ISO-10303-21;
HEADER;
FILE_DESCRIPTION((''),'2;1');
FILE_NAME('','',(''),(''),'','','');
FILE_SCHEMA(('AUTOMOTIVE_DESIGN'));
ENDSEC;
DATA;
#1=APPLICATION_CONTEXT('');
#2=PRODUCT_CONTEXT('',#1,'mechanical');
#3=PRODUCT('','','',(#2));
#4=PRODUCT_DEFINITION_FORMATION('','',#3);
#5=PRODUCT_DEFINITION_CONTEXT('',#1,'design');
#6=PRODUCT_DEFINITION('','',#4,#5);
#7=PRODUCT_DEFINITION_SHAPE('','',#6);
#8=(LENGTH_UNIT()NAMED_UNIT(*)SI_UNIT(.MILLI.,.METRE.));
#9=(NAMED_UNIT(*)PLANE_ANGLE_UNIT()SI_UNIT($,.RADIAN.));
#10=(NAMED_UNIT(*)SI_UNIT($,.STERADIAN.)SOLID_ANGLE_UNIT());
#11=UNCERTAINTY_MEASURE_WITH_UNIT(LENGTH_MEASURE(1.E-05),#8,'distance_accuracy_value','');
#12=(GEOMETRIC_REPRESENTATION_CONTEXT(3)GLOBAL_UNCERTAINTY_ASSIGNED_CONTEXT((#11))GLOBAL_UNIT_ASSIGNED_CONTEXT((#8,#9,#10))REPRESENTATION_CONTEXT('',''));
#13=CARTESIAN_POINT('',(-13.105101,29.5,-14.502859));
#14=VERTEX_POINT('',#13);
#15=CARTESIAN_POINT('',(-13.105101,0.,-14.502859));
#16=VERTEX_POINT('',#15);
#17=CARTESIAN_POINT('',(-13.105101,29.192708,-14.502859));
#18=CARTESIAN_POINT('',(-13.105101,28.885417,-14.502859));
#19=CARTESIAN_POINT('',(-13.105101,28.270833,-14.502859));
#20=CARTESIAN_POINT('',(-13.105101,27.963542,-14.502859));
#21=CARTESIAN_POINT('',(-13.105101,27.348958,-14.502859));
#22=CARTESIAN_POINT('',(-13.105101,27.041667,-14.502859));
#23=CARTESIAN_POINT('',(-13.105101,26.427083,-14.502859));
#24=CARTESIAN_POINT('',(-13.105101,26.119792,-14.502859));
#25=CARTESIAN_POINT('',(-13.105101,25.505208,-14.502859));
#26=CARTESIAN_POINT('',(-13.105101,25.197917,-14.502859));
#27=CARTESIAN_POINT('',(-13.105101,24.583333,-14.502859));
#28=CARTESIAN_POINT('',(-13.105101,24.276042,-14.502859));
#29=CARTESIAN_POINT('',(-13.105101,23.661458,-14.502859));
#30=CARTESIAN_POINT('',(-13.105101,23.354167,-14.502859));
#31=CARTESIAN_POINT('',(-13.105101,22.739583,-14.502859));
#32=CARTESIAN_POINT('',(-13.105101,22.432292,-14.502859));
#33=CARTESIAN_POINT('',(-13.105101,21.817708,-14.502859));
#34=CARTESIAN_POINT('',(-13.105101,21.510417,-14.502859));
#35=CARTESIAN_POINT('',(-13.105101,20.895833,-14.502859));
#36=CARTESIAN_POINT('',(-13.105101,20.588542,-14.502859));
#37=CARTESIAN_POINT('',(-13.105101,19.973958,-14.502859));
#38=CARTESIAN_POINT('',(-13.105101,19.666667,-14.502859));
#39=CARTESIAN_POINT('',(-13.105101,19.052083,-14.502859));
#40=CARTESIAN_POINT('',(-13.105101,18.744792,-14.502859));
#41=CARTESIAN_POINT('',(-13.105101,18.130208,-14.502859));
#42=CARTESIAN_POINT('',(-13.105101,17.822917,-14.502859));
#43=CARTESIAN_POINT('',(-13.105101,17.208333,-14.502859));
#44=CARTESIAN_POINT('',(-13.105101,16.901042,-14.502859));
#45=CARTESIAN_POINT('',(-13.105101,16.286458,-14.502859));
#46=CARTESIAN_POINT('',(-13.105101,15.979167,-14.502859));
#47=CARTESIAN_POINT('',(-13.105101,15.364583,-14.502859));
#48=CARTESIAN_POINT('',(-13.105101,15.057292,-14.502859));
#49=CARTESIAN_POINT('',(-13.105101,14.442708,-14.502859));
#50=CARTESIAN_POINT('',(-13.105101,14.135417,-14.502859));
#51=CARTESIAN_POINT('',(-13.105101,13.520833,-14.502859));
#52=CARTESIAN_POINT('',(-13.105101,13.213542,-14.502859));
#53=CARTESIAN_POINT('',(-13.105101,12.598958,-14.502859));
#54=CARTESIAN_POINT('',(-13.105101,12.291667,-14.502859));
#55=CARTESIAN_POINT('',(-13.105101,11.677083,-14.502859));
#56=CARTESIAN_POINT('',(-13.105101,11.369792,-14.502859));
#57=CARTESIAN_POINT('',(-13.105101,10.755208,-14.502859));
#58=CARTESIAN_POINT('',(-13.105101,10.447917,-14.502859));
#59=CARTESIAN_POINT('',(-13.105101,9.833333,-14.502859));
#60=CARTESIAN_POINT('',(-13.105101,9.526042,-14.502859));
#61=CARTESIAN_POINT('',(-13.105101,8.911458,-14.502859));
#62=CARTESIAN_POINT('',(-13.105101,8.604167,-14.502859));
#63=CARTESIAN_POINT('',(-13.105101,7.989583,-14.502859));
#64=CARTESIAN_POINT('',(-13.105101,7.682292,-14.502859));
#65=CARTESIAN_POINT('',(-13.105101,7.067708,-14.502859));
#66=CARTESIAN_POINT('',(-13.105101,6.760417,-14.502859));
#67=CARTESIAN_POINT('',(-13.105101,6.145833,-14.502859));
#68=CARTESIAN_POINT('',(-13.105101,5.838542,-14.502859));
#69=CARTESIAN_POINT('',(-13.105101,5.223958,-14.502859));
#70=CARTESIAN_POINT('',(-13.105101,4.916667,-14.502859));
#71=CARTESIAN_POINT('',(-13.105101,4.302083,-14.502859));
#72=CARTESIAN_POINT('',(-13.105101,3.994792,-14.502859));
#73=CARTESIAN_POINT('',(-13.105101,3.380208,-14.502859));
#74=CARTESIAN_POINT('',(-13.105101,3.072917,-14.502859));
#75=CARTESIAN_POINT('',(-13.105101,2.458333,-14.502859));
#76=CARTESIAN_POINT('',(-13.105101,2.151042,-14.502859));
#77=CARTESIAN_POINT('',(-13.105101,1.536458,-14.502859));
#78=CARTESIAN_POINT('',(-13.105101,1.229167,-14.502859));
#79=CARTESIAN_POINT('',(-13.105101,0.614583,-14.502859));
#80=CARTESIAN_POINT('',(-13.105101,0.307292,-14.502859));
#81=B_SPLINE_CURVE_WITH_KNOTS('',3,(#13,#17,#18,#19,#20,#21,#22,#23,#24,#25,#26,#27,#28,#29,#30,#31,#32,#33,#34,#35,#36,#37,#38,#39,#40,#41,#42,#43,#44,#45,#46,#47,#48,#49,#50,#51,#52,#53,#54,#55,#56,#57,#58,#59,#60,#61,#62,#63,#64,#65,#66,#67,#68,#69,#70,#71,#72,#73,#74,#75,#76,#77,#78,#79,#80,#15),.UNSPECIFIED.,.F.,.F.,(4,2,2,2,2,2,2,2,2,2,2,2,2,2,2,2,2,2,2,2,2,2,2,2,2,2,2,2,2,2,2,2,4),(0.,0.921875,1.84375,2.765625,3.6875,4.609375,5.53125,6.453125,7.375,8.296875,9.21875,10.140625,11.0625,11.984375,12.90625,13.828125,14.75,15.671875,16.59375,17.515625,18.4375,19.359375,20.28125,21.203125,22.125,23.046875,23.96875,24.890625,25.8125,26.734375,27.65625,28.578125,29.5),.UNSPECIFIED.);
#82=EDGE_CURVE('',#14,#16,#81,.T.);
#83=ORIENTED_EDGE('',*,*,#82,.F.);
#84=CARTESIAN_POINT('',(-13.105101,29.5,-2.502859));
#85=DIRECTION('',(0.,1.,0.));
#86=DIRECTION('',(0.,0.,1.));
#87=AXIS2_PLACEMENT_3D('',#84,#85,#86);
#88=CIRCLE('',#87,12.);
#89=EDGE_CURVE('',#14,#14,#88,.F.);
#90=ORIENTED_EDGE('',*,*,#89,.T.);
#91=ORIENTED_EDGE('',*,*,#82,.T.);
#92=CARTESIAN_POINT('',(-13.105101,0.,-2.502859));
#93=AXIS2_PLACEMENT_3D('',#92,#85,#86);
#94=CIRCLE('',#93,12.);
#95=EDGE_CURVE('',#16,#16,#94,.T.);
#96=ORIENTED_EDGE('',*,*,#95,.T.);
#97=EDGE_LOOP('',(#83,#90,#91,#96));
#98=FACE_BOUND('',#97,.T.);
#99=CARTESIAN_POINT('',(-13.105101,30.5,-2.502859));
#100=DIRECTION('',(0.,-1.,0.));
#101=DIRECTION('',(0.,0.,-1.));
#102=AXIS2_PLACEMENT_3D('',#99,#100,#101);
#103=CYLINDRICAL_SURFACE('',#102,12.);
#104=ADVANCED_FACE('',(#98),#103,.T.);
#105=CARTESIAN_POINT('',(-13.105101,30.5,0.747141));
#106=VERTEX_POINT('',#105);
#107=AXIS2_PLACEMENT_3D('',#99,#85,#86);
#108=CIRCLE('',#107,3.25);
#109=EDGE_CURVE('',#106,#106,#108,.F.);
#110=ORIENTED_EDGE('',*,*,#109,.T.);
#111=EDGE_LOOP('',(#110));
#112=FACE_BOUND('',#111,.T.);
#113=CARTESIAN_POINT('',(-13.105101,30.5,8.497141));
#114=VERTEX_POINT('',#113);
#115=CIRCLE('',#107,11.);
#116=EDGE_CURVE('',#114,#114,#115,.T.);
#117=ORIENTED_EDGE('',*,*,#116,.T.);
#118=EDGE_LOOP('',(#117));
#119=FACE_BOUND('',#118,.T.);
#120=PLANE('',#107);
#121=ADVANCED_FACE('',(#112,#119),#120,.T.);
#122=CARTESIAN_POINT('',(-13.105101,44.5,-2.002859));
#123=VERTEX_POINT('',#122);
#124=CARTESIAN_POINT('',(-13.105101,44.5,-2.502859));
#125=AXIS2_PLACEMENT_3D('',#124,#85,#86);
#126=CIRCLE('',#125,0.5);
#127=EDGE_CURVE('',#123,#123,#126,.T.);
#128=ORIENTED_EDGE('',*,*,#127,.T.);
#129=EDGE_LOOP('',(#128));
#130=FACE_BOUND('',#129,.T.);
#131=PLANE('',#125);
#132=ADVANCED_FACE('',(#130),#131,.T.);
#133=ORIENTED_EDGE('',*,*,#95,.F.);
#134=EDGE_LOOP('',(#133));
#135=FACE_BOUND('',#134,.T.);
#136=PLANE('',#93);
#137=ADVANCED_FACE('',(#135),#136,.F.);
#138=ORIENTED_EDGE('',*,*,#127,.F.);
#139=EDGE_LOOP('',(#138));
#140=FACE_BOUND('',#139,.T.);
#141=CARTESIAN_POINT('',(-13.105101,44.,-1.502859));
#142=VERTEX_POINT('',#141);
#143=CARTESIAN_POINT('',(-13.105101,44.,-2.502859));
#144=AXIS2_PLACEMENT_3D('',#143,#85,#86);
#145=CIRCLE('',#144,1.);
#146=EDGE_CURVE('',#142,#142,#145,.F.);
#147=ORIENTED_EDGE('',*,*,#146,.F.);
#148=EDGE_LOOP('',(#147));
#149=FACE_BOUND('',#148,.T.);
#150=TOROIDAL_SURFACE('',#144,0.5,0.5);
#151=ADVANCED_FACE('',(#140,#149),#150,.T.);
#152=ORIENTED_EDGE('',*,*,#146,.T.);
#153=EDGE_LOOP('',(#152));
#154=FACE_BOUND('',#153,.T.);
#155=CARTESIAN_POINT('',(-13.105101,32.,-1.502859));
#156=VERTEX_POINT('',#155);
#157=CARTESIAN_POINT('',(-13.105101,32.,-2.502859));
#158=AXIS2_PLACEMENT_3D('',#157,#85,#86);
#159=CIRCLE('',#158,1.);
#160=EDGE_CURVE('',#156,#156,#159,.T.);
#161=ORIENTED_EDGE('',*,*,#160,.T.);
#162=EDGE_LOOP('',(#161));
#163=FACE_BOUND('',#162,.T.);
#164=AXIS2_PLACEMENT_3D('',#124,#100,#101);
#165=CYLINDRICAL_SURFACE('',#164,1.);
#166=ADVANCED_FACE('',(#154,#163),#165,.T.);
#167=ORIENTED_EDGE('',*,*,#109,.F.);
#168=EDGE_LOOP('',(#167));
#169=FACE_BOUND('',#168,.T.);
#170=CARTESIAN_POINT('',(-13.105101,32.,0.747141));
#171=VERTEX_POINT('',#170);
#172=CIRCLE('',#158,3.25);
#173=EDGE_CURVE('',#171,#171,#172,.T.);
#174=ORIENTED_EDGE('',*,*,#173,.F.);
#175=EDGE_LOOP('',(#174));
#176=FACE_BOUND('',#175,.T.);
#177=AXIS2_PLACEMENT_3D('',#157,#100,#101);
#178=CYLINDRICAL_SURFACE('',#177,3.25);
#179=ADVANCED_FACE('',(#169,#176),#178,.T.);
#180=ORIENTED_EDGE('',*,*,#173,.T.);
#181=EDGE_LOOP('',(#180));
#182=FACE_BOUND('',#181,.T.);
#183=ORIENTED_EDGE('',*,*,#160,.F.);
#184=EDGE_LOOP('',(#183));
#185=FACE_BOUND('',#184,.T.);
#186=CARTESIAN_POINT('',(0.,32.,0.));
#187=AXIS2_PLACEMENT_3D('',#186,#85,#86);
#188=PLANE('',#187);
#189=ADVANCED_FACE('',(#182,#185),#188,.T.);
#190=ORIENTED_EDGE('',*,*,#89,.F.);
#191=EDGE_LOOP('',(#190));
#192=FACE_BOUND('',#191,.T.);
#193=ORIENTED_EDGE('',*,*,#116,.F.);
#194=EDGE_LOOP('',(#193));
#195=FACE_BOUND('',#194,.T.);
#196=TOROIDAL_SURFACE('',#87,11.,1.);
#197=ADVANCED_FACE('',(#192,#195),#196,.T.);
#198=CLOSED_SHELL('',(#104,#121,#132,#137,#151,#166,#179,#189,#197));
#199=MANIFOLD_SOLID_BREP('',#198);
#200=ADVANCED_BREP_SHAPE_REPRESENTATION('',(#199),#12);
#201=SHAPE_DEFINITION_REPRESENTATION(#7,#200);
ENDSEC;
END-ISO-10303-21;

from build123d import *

# Parameters (mm, degrees)
SKETCH1_R           = 12
BOSS_EXTRUDE1_DEPTH = 30.5
SKETCH1_3_R         = 3.25
SKETCH1_3_R_2       = 1
BOSS_EXTRUDE2_DEPTH = 32
SKETCH1_4_R         = 1
BOSS_EXTRUDE3_DEPTH = 44.5
FILLET1_R           = 0.5
FILLET2_R           = 1


with BuildPart() as part:
    # Sketch1 → Boss-Extrude1 (new body)
    with BuildSketch(Plane(origin=(0, 0, 0), x_dir=(1, 0, 0), z_dir=(0, 1, 0))):
        with Locations((-13.105100699, 2.502858666)):
            Circle(SKETCH1_R)
    extrude(amount=BOSS_EXTRUDE1_DEPTH)

    # Sketch1<3> → Boss-Extrude2 (add)
    with BuildSketch(Plane(origin=(0, 0, 0), x_dir=(1, 0, 0), z_dir=(0, 1, 0))):
        with Locations((-13.105100699, 2.502858666)):
            Circle(SKETCH1_3_R)
        with Locations((-13.105100699, 2.502858666)):
            Circle(SKETCH1_3_R_2, mode=Mode.SUBTRACT)
    extrude(amount=BOSS_EXTRUDE2_DEPTH)

    # Sketch1<4> → Boss-Extrude3 (add)
    with BuildSketch(Plane(origin=(0, 0, 0), x_dir=(1, 0, 0), z_dir=(0, 1, 0))):
        with Locations((-13.105100699, 2.502858666)):
            Circle(SKETCH1_4_R)
    extrude(amount=BOSS_EXTRUDE3_DEPTH)

    # Fillet1
    fillet1_edges = [part.edges().sort_by_distance(p)[0] for p in [
        (-14.105100699, 44.5, -2.502858666),
    ]]
    fillet(fillet1_edges, radius=FILLET1_R)

    # Fillet2
    fillet2_edges = [part.edges().sort_by_distance(p)[0] for p in [
        (-25.105100699, 30.5, -2.502858666),
    ]]
    fillet(fillet2_edges, radius=FILLET2_R)


solid = part.part
